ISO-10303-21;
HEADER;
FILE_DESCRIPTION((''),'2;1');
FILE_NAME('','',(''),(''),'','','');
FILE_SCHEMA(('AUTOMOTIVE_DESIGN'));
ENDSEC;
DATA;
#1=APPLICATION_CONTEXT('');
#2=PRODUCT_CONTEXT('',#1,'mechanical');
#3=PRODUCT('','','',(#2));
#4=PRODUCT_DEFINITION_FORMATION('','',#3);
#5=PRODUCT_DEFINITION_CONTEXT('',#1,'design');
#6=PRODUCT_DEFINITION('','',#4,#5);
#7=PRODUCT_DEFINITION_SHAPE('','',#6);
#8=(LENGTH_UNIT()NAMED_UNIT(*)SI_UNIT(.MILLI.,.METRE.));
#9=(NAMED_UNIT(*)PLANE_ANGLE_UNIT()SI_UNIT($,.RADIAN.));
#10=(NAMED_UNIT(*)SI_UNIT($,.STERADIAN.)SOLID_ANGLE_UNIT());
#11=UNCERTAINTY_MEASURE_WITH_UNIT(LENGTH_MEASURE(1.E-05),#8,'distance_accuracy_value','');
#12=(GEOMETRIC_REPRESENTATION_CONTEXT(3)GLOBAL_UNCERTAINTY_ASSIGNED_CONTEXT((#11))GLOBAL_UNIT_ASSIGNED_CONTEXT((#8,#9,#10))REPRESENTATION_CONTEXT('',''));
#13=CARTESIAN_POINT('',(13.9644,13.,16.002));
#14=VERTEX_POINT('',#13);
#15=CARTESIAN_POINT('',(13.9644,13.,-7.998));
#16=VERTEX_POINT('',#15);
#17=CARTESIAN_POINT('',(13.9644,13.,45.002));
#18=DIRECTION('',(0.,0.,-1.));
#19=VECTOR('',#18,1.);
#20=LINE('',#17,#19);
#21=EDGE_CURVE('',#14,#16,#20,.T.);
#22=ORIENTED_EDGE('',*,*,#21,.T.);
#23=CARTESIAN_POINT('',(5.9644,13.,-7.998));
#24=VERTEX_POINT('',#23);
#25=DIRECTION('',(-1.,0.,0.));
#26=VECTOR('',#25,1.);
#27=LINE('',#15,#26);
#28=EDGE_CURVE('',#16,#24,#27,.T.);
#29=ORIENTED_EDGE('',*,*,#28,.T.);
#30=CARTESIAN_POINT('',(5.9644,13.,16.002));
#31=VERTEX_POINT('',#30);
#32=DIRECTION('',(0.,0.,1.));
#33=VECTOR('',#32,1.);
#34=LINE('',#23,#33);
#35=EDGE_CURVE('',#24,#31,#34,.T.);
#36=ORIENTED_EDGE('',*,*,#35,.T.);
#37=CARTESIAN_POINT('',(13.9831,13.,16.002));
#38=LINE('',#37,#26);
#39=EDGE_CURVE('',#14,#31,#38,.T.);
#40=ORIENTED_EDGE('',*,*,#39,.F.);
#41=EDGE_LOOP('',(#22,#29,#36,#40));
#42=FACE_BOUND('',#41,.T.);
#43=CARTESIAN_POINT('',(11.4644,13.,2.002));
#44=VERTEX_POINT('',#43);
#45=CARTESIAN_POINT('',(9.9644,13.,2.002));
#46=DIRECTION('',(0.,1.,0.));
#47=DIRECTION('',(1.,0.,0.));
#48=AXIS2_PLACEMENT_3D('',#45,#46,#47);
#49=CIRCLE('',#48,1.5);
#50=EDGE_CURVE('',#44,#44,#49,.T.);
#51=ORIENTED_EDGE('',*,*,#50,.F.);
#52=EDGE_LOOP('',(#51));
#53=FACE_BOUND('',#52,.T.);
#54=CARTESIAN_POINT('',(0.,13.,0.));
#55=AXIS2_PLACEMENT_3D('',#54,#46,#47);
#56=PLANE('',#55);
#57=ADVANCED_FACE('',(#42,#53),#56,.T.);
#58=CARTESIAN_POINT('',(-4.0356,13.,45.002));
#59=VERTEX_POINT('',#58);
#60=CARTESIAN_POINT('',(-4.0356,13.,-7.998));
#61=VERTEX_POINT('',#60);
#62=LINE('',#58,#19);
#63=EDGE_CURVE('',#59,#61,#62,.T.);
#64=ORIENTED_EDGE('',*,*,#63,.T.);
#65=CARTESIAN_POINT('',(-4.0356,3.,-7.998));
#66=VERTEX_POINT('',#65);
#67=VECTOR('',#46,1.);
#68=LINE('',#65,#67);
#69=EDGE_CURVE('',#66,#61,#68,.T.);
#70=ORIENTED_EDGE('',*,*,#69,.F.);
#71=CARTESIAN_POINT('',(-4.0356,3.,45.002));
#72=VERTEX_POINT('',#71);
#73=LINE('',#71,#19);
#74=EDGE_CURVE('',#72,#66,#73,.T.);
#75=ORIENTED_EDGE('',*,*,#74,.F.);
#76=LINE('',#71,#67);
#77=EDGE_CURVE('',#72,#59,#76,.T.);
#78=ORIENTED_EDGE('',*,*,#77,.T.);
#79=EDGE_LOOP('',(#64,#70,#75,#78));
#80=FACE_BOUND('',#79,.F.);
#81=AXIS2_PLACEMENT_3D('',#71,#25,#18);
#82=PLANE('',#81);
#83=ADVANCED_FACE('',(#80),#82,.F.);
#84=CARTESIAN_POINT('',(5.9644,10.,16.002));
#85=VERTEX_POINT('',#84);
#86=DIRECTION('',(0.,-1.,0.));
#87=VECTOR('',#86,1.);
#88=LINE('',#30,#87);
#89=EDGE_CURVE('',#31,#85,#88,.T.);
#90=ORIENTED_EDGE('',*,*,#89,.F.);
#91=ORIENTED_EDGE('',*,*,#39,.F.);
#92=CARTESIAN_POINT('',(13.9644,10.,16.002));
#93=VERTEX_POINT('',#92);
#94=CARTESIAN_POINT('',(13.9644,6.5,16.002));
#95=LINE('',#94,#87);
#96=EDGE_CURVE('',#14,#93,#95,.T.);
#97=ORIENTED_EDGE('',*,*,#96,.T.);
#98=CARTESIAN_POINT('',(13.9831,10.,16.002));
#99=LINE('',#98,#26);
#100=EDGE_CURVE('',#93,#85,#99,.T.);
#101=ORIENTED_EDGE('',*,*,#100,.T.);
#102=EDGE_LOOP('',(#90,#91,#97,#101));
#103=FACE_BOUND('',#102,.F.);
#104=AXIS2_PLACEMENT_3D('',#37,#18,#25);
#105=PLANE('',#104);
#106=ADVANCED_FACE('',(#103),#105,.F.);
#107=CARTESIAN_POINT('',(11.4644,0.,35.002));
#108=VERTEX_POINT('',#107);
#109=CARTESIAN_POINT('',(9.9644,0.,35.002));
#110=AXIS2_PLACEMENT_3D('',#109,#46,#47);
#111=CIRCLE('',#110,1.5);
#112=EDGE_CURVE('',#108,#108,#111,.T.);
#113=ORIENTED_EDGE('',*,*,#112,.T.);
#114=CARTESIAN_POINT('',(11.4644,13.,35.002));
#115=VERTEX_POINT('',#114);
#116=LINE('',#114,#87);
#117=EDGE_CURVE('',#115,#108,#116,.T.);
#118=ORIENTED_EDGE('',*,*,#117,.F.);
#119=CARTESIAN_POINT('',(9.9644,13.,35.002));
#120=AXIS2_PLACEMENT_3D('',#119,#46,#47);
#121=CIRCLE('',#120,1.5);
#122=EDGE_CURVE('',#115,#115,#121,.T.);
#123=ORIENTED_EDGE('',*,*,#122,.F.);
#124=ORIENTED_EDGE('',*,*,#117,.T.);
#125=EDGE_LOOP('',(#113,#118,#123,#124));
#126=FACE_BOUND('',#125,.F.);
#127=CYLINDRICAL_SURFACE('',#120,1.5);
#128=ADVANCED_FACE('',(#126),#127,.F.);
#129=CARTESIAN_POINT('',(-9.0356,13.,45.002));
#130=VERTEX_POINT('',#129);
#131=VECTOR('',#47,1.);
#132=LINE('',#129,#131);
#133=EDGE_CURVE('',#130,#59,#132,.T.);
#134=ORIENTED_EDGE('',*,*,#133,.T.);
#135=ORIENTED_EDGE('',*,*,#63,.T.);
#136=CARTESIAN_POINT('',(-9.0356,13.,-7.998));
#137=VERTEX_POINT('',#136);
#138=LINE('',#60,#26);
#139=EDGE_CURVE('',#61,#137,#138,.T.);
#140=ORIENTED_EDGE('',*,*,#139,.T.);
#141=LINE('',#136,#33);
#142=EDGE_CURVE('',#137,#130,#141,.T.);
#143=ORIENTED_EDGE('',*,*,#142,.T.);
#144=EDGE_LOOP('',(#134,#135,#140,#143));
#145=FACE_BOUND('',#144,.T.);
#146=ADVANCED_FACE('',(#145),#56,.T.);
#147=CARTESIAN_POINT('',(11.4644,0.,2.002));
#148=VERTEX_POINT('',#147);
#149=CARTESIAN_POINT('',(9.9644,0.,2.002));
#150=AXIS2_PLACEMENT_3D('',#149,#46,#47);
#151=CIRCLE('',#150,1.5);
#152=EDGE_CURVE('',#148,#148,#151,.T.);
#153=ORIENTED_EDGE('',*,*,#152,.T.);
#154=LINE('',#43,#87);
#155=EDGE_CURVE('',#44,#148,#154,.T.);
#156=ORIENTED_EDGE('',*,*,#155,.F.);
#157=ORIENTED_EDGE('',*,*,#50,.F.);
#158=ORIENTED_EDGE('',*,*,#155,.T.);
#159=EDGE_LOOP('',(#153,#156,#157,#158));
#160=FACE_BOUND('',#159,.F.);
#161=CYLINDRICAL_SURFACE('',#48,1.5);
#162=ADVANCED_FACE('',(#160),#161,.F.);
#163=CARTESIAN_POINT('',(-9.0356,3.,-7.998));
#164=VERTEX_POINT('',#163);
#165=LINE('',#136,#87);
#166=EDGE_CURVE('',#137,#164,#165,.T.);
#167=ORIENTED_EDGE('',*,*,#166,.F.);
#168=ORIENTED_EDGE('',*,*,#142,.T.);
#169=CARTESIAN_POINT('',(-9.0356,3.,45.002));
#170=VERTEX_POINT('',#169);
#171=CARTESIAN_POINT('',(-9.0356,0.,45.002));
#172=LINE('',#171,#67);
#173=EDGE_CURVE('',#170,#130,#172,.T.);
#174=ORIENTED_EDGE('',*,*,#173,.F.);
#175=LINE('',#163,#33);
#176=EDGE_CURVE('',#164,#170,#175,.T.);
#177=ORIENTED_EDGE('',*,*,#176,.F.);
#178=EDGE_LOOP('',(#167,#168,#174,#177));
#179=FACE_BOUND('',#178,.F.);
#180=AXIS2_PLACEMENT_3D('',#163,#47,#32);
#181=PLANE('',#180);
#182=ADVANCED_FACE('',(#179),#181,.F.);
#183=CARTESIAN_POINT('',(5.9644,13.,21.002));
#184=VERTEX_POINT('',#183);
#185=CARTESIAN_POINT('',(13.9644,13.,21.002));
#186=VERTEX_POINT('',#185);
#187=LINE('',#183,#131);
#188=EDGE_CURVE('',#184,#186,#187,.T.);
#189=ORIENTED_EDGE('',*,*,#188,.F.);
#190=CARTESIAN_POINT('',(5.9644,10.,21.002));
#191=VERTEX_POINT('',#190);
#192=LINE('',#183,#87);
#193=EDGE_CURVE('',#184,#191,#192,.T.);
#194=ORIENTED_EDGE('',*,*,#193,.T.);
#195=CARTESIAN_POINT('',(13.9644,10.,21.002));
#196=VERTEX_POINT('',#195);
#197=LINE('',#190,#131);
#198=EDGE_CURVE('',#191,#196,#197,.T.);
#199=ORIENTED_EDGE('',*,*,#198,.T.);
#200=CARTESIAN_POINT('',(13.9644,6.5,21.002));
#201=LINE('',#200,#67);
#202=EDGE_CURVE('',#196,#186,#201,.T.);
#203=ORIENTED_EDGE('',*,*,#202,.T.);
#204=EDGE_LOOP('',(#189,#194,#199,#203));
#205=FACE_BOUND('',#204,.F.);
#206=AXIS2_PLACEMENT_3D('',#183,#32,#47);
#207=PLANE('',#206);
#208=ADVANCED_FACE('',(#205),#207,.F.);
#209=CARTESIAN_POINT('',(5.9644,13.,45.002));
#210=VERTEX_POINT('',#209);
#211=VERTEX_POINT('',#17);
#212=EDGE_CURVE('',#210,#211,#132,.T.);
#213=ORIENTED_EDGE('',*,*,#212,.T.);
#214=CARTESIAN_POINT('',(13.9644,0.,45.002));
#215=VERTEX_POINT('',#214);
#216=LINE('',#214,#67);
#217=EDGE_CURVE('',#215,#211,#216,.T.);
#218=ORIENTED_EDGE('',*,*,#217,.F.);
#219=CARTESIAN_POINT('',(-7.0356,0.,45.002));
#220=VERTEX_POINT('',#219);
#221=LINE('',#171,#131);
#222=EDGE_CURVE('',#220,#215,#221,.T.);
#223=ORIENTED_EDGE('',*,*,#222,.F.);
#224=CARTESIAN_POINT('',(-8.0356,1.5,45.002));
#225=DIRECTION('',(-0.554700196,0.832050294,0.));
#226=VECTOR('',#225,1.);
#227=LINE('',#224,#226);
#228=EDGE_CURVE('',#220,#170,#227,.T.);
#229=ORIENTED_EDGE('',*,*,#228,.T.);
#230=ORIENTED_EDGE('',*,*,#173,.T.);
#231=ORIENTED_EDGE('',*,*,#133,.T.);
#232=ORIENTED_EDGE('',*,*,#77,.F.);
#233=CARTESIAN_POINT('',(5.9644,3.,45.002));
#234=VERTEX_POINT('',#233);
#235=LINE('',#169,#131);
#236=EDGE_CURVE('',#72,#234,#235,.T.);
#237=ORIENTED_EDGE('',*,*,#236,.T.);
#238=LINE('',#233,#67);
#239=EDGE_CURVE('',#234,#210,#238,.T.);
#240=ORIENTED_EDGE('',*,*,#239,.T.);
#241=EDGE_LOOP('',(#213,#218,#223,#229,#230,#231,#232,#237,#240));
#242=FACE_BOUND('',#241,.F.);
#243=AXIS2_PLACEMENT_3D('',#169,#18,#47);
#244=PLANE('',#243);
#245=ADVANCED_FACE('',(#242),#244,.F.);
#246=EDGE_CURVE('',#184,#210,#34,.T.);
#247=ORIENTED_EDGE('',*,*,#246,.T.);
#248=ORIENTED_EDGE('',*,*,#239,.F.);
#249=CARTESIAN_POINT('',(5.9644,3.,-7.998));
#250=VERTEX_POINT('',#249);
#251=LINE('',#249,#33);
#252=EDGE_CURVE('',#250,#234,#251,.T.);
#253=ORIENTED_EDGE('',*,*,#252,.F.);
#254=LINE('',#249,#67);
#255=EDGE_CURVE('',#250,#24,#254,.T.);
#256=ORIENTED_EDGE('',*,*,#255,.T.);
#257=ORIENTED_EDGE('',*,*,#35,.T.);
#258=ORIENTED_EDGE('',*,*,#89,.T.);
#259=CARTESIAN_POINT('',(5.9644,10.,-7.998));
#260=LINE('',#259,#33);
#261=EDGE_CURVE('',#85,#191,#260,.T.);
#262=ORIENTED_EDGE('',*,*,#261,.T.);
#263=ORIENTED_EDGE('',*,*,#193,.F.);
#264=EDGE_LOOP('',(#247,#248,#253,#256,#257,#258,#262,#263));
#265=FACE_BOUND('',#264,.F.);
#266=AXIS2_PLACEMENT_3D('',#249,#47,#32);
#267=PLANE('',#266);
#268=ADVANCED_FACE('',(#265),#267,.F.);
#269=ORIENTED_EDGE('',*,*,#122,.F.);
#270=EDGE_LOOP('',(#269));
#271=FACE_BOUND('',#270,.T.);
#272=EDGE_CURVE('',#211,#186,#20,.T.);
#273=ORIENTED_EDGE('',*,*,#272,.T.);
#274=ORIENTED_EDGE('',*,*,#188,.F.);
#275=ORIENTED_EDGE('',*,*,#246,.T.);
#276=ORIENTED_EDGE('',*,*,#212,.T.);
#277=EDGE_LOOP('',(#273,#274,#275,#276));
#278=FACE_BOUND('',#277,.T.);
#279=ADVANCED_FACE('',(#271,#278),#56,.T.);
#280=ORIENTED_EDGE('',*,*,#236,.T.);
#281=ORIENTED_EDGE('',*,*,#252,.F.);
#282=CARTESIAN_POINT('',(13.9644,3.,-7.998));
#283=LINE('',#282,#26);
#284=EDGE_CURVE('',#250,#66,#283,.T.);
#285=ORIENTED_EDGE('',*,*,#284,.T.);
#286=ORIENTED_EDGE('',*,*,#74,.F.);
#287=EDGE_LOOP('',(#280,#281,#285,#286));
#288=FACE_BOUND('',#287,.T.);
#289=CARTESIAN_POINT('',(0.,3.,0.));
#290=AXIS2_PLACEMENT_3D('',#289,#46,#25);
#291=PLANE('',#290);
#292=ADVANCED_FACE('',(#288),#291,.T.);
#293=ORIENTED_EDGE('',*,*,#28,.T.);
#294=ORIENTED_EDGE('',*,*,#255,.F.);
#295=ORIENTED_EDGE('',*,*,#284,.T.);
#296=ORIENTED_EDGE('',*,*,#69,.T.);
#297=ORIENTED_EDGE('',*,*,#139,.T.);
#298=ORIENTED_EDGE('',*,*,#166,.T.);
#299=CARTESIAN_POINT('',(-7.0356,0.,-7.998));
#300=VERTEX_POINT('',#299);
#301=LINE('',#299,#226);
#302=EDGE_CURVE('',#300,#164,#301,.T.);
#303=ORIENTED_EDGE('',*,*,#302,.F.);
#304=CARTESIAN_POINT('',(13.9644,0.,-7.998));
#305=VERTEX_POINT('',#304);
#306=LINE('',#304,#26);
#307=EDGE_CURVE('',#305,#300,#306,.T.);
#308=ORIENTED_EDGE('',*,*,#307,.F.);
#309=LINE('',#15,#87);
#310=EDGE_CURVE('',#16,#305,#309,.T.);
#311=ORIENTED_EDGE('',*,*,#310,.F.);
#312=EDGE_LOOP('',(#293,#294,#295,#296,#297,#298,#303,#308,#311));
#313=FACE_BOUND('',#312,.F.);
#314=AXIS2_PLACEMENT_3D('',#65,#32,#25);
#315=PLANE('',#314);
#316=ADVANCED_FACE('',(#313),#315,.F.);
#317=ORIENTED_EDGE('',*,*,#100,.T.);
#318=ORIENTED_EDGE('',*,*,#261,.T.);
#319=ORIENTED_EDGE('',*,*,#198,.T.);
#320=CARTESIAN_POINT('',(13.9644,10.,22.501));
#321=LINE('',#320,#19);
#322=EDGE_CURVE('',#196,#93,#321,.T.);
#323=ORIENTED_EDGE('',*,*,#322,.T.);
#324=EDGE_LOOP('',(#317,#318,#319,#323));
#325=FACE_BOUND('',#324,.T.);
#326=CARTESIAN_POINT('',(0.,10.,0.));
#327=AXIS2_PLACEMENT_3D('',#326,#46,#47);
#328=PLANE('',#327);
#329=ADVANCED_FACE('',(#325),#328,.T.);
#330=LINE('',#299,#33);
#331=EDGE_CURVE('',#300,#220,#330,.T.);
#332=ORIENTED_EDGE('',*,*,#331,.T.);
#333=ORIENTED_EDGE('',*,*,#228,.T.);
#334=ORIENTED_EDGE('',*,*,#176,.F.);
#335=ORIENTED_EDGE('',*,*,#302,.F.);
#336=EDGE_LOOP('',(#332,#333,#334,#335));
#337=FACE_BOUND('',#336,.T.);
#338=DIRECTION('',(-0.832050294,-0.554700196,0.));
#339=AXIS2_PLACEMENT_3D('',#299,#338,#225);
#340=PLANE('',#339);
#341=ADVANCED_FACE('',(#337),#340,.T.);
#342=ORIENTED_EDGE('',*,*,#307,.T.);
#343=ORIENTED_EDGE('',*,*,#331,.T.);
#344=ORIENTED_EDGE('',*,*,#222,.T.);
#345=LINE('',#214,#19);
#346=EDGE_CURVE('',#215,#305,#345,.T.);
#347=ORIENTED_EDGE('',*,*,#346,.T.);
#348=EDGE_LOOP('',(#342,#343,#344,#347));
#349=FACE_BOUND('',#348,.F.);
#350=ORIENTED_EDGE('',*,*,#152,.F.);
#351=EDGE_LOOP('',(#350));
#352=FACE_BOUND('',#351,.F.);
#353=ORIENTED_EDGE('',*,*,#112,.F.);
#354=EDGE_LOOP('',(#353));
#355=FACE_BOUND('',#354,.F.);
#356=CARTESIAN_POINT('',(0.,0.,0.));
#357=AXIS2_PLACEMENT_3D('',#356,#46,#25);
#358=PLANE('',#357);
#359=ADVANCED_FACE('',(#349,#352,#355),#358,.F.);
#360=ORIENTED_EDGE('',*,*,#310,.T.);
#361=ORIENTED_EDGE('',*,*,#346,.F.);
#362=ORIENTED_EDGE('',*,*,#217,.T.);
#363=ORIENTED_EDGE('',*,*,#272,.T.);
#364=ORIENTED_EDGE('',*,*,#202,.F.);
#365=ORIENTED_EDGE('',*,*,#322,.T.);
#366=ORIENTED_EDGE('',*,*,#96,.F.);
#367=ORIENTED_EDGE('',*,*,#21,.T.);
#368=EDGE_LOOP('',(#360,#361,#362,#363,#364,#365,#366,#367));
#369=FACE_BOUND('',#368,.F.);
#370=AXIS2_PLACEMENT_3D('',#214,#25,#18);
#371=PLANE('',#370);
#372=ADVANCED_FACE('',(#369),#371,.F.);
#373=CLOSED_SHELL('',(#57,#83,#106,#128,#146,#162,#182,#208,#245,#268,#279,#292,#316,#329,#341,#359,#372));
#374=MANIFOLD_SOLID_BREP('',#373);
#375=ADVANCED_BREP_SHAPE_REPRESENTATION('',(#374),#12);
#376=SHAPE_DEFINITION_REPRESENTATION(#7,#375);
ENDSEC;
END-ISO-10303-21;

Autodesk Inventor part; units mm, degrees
ref_plane "YZ Plane" through (0, 0, 0) normal (1, 0, 0) x (0, 1, 0)
ref_plane "XZ Plane" through (0, 0, 0) normal (0, 1, 0) x (-1, 0, 0)
ref_plane "XY Plane" through (0, 0, 0) normal (0, 0, 1) x (1, 0, 0)
sketch "Boceto1" plane through (0, 0, 0) normal (0, 1, 0) x (-1, 0, 0)
  line L0 (9.0356, 45.002) -> (-13.9644, 45.002)
  line L1 (-13.9644, 45.002) -> (-13.9644, -7.998)
  line L2 (-13.9644, -7.998) -> (9.0356, -7.998)
  line L3 (9.0356, -7.998) -> (9.0356, 45.002)
  point P0 (0, 0)
  dimension "d0" = 23
  dimension "d1" = 53
extrude "Extrusión1" add sketch "Boceto1" along normal blind 3
sketch "Boceto2" plane through (0, 3, 0) normal (0, 1, 0) x (1, 0, 0)
  line L0 (-9.0356, -45.002) -> (13.9644, -45.002) projected
  line L1 (13.9644, -45.002) -> (13.9644, 7.998) projected
  line L2 (5.9644, -45.002) -> (13.9644, -45.002)
  line L3 (13.9644, -45.002) -> (13.9644, 7.998)
  line L4 (13.9644, 7.998) -> (5.9644, 7.998)
  line L5 (5.9644, 7.998) -> (5.9644, -45.002)
  point P0 (0, 0)
  dimension "d4" = 8
extrude "Extrusión2" add sketch "Boceto2" along normal blind 10
sketch "Boceto3" plane through (0, 13, 0) normal (0, 1, 0) x (1, 0, 0)
  line L0 (5.9644, 7.998) -> (5.9644, -45.002) projected
  line L1 (5.9644, -21.002) -> (13.9831, -21.002)
  line L2 (13.9831, -21.002) -> (13.9831, -16.002)
  line L3 (13.9831, -16.002) -> (5.9644, -16.002)
  line L4 (5.9644, -16.002) -> (5.9644, -21.002)
  line L5 (13.9644, 7.998) -> (5.9644, 7.998) projected
  line L6 (5.9644, -45.002) -> (13.9644, -45.002) projected
  point P0 (0, 0)
  dimension "d7" = 24
  dimension "d8" = 5
  dimension "d9" = 24
extrude "Extrusión3" cut sketch "Boceto3" against normal blind 3
sketch "Boceto4" plane through (0, 13, 0) normal (0, 1, 0) x (1, 0, 0)
  circle A0 centre (9.9644, -2.002) radius 1.5
  line L0 (13.9644, 7.998) -> (5.9644, 7.998) projected
  line L1 (13.9644, -16.002) -> (13.9644, 7.998) projected
  line L2 (13.9644, -45.002) -> (13.9644, 7.998) projected
  line L3 (13.9644, -18.502) -> (5.9644, -18.502)
  circle A1 centre (9.9644, -35.002) radius 1.5
  point P0 (0, 0)
  dimension "d12" = 3
  dimension "d13" = 10
  dimension "d14" = 4
extrude "Extrusión4" cut sketch "Boceto4" against normal blind 14.75
sketch "Boceto5" plane through (0, 3, 0) normal (0, 1, 0) x (1, 0, 0)
  line L0 (-9.0356, -45.002) -> (-4.0356, -45.002)
  line L1 (-4.0356, -45.002) -> (-4.0356, 7.998)
  line L2 (-4.0356, 7.998) -> (-9.0356, 7.998)
  line L3 (-9.0356, 7.998) -> (-9.0356, -45.002)
  point P0 (0, 0)
  dimension "d17" = 5
extrude "Extrusión5" add sketch "Boceto5" along normal blind 10
sketch "Boceto7" plane through (13.9644, 0, -7.998) normal (0, 0, -1) x (-1, 0, 0)
  line L0 (23, 0) -> (21, 0)
  line L1 (23, 0) -> (0, 0) projected
  line L2 (23, 0) -> (23, 3)
  line L3 (21, 0) -> (23, 3)
  point P0 (13.9644, 0)
  dimension "d24" = 2
  dimension "d25" = 3
extrude "Extrusión7" cut sketch "Boceto7" against normal blind 55.5
sketch "Boceto8" plane through (13.9644, 0, 45.002) normal (1, 0, 0) x (0, 0, -1)
  point P0 (45.002, 0)
equation "\"Radio_pliegue\" = Grosor"
equation "\"Anchura_desahogo_plegado\" = Grosor"
equation "\"Profundidad_desahogo_plegado\" = 0.5 * Grosor"
equation "\"Tamaño_destalonado\" = 4 * Grosor"
equation "\"Remanente_mínimo\" = 2 * Grosor"
equation "\"Radiodetransición\" = Radio_pliegue"
equation "\"Tamaño_de_radio_de_Jacobi\" = Radio_pliegue"
equation "\"TamañoSeparación\" = Grosor"
equation "\"Grosor\" = 0.5"
properties part number "PiezaAtras"
